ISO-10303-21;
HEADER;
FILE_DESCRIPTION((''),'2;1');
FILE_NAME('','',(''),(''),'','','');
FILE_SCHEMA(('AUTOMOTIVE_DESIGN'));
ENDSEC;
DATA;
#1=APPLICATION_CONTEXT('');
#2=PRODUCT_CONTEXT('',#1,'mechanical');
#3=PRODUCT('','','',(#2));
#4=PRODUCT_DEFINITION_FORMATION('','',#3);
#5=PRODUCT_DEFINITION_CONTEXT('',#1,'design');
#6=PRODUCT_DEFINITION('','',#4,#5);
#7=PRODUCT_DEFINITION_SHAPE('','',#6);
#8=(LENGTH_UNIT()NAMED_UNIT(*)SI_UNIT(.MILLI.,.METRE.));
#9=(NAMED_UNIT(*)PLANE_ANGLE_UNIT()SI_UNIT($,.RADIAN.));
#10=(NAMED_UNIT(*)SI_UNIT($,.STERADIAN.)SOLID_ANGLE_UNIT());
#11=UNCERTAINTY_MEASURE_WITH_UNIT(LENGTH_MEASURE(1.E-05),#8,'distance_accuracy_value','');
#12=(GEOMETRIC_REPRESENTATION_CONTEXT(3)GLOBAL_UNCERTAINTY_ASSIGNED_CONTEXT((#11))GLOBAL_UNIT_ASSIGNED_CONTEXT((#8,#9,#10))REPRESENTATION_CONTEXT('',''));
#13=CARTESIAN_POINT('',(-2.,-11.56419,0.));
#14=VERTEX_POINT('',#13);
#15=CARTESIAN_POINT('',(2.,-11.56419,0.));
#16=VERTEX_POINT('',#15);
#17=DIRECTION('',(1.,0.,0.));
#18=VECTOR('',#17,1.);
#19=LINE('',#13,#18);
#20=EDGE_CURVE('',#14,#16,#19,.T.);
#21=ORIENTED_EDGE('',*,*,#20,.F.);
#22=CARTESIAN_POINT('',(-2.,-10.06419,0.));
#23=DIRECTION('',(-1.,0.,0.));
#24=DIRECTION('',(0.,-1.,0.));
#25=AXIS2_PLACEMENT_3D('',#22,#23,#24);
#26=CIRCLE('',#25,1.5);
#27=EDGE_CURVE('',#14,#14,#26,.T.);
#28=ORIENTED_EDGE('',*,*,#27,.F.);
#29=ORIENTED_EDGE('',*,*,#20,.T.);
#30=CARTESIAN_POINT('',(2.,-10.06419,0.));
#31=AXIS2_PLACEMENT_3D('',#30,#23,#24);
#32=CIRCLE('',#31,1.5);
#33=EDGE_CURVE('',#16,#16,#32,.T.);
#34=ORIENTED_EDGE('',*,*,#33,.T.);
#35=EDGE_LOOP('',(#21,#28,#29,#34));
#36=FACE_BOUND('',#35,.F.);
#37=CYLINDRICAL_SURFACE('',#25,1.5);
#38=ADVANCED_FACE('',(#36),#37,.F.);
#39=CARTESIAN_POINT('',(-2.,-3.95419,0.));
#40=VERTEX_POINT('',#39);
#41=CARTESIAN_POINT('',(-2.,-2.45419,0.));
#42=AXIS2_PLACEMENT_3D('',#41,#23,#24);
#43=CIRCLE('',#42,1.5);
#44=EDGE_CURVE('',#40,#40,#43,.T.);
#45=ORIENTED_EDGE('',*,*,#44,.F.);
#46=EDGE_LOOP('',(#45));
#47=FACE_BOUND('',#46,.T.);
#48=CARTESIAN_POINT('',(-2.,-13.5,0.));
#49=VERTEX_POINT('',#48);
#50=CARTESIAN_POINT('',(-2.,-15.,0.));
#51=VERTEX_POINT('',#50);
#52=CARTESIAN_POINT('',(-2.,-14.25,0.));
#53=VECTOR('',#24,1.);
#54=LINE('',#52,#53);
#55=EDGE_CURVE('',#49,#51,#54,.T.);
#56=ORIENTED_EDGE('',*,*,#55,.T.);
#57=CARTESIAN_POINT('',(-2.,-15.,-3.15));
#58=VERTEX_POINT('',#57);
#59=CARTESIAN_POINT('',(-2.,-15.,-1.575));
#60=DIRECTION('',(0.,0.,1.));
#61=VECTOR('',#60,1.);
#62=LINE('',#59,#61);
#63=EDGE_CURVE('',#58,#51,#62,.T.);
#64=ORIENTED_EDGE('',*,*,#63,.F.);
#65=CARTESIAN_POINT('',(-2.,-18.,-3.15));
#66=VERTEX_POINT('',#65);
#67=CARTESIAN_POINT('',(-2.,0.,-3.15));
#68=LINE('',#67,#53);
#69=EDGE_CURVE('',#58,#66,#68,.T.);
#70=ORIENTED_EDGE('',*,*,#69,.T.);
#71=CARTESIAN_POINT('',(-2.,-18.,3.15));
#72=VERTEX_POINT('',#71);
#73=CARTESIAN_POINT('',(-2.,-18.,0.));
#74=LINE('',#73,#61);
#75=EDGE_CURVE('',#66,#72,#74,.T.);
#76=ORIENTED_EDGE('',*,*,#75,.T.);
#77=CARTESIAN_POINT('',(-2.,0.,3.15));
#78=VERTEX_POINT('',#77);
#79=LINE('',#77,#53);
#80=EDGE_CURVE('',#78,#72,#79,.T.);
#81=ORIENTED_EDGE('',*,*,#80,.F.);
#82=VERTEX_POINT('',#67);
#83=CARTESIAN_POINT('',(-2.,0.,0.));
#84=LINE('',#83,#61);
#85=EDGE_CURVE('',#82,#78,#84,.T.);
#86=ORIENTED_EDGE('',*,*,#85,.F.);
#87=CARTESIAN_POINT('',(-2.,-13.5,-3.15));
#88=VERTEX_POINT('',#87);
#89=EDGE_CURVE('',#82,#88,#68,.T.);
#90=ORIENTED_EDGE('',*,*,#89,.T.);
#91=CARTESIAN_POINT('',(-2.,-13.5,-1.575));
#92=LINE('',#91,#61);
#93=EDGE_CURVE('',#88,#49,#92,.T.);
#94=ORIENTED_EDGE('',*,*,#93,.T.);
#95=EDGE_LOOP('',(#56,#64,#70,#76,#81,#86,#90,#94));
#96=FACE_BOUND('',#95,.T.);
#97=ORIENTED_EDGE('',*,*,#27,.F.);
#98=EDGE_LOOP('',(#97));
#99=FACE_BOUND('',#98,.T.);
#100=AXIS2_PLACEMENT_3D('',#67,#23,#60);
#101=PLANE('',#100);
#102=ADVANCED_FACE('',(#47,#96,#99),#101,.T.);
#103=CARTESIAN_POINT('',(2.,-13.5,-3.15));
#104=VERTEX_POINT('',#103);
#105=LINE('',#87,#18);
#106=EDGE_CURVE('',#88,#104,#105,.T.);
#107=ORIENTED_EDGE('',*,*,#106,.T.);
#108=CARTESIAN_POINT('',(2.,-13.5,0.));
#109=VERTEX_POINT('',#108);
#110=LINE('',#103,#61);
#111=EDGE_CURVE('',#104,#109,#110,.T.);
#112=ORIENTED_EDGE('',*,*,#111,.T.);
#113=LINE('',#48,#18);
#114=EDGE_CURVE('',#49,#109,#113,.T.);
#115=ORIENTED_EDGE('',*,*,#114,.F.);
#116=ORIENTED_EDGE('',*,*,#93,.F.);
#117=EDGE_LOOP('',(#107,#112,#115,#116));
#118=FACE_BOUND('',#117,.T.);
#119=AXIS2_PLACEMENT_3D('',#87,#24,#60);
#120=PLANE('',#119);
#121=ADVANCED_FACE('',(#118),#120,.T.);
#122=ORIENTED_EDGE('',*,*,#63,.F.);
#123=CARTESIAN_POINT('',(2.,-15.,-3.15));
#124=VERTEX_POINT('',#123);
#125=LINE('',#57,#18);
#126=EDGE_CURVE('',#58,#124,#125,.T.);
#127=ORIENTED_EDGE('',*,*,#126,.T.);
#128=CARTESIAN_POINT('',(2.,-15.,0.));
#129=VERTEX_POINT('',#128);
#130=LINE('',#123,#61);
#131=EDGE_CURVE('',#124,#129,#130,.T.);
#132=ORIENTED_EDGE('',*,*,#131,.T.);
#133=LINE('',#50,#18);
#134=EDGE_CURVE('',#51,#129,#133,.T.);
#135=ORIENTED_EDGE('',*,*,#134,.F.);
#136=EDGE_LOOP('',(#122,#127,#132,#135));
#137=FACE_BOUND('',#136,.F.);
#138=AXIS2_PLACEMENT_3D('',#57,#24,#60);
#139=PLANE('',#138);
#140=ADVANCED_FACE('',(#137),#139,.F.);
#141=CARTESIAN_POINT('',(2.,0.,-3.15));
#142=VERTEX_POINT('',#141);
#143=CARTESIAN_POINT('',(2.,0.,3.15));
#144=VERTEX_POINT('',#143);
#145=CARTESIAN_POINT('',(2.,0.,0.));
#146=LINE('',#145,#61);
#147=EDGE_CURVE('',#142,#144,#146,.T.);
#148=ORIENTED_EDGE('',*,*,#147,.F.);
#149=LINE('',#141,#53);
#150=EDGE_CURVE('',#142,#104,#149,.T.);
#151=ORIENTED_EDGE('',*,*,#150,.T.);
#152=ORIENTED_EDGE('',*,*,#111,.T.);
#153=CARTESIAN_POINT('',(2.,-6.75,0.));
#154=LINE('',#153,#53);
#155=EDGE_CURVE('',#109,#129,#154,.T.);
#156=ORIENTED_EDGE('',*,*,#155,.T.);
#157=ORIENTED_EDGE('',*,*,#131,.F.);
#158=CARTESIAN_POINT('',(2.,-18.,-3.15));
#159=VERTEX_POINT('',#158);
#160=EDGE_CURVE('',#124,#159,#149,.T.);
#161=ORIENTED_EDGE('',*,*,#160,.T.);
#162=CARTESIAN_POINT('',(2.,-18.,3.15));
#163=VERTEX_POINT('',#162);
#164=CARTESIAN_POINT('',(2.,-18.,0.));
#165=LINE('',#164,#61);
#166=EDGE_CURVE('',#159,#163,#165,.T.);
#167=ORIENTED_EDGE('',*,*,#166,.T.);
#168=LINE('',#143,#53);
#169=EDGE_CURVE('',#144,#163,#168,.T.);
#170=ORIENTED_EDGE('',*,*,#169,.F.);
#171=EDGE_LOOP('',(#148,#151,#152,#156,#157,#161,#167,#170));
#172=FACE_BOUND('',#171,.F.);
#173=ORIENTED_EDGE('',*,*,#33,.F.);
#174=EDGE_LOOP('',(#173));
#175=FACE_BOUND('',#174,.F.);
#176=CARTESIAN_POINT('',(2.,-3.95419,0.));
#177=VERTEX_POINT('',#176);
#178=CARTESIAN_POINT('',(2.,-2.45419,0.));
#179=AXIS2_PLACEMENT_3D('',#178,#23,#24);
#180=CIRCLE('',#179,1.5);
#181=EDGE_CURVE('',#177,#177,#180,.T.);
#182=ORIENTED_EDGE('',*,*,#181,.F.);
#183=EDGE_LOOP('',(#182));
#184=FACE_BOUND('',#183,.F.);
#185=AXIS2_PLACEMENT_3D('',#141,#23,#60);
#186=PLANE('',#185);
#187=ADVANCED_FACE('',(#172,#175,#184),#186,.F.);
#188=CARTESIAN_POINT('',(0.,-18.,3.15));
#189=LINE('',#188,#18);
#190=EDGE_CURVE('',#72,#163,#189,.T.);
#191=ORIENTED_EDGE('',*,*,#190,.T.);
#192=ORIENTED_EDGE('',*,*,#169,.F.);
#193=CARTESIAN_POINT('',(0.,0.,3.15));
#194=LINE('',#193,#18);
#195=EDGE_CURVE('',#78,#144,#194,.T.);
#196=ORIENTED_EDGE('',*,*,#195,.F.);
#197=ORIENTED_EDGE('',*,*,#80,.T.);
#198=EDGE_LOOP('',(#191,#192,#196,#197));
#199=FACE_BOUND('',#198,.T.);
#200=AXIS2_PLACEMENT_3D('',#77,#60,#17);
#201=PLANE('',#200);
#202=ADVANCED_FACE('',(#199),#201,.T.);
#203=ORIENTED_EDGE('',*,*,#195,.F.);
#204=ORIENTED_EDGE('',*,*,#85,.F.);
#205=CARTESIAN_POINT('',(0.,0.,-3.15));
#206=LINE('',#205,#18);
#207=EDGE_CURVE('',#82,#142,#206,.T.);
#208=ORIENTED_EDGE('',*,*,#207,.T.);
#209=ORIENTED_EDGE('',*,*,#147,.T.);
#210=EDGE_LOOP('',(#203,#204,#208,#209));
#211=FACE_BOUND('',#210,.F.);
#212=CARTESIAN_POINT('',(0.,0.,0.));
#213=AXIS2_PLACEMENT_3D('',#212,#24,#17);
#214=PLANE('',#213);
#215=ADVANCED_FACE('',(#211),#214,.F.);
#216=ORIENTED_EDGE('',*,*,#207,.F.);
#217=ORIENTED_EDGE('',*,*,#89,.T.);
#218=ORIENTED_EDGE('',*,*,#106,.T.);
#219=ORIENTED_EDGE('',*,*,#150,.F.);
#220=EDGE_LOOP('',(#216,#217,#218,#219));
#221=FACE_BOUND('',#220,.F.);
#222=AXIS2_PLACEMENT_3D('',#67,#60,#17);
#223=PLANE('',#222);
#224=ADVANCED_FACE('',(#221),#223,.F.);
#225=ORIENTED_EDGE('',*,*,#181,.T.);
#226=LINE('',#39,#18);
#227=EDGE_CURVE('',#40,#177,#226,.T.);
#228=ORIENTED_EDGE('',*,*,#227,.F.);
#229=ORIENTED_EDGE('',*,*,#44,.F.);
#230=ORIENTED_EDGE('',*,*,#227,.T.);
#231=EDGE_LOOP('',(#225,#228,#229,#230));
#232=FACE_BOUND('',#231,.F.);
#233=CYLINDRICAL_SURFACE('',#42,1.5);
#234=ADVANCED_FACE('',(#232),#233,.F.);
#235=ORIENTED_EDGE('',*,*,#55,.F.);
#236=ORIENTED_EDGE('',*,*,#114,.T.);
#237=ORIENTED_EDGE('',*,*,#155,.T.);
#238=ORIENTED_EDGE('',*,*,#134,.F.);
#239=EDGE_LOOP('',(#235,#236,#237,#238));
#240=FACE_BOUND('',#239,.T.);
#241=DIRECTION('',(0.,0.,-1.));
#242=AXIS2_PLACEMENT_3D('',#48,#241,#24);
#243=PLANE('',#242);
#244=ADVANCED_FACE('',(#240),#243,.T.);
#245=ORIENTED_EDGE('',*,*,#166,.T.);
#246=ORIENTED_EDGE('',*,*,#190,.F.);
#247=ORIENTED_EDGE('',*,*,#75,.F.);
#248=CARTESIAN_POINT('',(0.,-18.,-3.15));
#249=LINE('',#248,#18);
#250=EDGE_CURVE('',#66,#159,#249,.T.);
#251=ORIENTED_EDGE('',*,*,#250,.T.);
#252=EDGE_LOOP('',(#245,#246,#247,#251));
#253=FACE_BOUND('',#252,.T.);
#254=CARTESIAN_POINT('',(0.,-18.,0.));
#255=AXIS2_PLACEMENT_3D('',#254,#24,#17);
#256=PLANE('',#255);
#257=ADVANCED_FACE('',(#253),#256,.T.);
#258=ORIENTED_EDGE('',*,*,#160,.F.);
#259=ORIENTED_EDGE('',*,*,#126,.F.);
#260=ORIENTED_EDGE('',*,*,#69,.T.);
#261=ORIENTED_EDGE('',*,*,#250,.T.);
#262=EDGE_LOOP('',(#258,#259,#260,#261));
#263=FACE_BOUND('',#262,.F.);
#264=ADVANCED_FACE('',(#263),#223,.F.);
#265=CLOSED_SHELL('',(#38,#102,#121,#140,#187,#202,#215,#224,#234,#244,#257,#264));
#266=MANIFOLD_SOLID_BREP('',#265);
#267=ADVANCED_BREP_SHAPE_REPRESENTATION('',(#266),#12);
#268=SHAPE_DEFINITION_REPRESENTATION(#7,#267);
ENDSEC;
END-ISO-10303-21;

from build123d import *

# Parameters (mm, degrees)
F0_W     = 4
F0_H     = 6.3
F1_DEPTH = 18
F2_W     = 1.5
F2_H     = 3.15
F3_DEPTH = 25
F4_R     = 1.5
F5_DEPTH = 25


with BuildPart() as f1:
    # F0 (on Front) → F1 (new body)
    with BuildSketch(Plane.XZ):
        Rectangle(F0_W, F0_H)
    extrude(amount=F1_DEPTH)

    # F2 (on face) → F3 (cut)
    with BuildSketch(Plane(origin=(-2, 0, 0), x_dir=(0, -1, 0), z_dir=(-1, 0, 0))):
        with Locations((14.25, -1.575)):
            Rectangle(F2_W, F2_H)
    extrude(amount=-F3_DEPTH, mode=Mode.SUBTRACT)

    # F4 (on face) → F5 (cut)
    with BuildSketch(Plane(origin=(-2, 0, 0), x_dir=(0, -1, 0), z_dir=(-1, 0, 0))):
        with Locations((2.45419, 0)):
            Circle(F4_R)
        with Locations((10.06419, 0)):
            Circle(F4_R)
    extrude(amount=-F5_DEPTH, mode=Mode.SUBTRACT)


solid = f1.part
